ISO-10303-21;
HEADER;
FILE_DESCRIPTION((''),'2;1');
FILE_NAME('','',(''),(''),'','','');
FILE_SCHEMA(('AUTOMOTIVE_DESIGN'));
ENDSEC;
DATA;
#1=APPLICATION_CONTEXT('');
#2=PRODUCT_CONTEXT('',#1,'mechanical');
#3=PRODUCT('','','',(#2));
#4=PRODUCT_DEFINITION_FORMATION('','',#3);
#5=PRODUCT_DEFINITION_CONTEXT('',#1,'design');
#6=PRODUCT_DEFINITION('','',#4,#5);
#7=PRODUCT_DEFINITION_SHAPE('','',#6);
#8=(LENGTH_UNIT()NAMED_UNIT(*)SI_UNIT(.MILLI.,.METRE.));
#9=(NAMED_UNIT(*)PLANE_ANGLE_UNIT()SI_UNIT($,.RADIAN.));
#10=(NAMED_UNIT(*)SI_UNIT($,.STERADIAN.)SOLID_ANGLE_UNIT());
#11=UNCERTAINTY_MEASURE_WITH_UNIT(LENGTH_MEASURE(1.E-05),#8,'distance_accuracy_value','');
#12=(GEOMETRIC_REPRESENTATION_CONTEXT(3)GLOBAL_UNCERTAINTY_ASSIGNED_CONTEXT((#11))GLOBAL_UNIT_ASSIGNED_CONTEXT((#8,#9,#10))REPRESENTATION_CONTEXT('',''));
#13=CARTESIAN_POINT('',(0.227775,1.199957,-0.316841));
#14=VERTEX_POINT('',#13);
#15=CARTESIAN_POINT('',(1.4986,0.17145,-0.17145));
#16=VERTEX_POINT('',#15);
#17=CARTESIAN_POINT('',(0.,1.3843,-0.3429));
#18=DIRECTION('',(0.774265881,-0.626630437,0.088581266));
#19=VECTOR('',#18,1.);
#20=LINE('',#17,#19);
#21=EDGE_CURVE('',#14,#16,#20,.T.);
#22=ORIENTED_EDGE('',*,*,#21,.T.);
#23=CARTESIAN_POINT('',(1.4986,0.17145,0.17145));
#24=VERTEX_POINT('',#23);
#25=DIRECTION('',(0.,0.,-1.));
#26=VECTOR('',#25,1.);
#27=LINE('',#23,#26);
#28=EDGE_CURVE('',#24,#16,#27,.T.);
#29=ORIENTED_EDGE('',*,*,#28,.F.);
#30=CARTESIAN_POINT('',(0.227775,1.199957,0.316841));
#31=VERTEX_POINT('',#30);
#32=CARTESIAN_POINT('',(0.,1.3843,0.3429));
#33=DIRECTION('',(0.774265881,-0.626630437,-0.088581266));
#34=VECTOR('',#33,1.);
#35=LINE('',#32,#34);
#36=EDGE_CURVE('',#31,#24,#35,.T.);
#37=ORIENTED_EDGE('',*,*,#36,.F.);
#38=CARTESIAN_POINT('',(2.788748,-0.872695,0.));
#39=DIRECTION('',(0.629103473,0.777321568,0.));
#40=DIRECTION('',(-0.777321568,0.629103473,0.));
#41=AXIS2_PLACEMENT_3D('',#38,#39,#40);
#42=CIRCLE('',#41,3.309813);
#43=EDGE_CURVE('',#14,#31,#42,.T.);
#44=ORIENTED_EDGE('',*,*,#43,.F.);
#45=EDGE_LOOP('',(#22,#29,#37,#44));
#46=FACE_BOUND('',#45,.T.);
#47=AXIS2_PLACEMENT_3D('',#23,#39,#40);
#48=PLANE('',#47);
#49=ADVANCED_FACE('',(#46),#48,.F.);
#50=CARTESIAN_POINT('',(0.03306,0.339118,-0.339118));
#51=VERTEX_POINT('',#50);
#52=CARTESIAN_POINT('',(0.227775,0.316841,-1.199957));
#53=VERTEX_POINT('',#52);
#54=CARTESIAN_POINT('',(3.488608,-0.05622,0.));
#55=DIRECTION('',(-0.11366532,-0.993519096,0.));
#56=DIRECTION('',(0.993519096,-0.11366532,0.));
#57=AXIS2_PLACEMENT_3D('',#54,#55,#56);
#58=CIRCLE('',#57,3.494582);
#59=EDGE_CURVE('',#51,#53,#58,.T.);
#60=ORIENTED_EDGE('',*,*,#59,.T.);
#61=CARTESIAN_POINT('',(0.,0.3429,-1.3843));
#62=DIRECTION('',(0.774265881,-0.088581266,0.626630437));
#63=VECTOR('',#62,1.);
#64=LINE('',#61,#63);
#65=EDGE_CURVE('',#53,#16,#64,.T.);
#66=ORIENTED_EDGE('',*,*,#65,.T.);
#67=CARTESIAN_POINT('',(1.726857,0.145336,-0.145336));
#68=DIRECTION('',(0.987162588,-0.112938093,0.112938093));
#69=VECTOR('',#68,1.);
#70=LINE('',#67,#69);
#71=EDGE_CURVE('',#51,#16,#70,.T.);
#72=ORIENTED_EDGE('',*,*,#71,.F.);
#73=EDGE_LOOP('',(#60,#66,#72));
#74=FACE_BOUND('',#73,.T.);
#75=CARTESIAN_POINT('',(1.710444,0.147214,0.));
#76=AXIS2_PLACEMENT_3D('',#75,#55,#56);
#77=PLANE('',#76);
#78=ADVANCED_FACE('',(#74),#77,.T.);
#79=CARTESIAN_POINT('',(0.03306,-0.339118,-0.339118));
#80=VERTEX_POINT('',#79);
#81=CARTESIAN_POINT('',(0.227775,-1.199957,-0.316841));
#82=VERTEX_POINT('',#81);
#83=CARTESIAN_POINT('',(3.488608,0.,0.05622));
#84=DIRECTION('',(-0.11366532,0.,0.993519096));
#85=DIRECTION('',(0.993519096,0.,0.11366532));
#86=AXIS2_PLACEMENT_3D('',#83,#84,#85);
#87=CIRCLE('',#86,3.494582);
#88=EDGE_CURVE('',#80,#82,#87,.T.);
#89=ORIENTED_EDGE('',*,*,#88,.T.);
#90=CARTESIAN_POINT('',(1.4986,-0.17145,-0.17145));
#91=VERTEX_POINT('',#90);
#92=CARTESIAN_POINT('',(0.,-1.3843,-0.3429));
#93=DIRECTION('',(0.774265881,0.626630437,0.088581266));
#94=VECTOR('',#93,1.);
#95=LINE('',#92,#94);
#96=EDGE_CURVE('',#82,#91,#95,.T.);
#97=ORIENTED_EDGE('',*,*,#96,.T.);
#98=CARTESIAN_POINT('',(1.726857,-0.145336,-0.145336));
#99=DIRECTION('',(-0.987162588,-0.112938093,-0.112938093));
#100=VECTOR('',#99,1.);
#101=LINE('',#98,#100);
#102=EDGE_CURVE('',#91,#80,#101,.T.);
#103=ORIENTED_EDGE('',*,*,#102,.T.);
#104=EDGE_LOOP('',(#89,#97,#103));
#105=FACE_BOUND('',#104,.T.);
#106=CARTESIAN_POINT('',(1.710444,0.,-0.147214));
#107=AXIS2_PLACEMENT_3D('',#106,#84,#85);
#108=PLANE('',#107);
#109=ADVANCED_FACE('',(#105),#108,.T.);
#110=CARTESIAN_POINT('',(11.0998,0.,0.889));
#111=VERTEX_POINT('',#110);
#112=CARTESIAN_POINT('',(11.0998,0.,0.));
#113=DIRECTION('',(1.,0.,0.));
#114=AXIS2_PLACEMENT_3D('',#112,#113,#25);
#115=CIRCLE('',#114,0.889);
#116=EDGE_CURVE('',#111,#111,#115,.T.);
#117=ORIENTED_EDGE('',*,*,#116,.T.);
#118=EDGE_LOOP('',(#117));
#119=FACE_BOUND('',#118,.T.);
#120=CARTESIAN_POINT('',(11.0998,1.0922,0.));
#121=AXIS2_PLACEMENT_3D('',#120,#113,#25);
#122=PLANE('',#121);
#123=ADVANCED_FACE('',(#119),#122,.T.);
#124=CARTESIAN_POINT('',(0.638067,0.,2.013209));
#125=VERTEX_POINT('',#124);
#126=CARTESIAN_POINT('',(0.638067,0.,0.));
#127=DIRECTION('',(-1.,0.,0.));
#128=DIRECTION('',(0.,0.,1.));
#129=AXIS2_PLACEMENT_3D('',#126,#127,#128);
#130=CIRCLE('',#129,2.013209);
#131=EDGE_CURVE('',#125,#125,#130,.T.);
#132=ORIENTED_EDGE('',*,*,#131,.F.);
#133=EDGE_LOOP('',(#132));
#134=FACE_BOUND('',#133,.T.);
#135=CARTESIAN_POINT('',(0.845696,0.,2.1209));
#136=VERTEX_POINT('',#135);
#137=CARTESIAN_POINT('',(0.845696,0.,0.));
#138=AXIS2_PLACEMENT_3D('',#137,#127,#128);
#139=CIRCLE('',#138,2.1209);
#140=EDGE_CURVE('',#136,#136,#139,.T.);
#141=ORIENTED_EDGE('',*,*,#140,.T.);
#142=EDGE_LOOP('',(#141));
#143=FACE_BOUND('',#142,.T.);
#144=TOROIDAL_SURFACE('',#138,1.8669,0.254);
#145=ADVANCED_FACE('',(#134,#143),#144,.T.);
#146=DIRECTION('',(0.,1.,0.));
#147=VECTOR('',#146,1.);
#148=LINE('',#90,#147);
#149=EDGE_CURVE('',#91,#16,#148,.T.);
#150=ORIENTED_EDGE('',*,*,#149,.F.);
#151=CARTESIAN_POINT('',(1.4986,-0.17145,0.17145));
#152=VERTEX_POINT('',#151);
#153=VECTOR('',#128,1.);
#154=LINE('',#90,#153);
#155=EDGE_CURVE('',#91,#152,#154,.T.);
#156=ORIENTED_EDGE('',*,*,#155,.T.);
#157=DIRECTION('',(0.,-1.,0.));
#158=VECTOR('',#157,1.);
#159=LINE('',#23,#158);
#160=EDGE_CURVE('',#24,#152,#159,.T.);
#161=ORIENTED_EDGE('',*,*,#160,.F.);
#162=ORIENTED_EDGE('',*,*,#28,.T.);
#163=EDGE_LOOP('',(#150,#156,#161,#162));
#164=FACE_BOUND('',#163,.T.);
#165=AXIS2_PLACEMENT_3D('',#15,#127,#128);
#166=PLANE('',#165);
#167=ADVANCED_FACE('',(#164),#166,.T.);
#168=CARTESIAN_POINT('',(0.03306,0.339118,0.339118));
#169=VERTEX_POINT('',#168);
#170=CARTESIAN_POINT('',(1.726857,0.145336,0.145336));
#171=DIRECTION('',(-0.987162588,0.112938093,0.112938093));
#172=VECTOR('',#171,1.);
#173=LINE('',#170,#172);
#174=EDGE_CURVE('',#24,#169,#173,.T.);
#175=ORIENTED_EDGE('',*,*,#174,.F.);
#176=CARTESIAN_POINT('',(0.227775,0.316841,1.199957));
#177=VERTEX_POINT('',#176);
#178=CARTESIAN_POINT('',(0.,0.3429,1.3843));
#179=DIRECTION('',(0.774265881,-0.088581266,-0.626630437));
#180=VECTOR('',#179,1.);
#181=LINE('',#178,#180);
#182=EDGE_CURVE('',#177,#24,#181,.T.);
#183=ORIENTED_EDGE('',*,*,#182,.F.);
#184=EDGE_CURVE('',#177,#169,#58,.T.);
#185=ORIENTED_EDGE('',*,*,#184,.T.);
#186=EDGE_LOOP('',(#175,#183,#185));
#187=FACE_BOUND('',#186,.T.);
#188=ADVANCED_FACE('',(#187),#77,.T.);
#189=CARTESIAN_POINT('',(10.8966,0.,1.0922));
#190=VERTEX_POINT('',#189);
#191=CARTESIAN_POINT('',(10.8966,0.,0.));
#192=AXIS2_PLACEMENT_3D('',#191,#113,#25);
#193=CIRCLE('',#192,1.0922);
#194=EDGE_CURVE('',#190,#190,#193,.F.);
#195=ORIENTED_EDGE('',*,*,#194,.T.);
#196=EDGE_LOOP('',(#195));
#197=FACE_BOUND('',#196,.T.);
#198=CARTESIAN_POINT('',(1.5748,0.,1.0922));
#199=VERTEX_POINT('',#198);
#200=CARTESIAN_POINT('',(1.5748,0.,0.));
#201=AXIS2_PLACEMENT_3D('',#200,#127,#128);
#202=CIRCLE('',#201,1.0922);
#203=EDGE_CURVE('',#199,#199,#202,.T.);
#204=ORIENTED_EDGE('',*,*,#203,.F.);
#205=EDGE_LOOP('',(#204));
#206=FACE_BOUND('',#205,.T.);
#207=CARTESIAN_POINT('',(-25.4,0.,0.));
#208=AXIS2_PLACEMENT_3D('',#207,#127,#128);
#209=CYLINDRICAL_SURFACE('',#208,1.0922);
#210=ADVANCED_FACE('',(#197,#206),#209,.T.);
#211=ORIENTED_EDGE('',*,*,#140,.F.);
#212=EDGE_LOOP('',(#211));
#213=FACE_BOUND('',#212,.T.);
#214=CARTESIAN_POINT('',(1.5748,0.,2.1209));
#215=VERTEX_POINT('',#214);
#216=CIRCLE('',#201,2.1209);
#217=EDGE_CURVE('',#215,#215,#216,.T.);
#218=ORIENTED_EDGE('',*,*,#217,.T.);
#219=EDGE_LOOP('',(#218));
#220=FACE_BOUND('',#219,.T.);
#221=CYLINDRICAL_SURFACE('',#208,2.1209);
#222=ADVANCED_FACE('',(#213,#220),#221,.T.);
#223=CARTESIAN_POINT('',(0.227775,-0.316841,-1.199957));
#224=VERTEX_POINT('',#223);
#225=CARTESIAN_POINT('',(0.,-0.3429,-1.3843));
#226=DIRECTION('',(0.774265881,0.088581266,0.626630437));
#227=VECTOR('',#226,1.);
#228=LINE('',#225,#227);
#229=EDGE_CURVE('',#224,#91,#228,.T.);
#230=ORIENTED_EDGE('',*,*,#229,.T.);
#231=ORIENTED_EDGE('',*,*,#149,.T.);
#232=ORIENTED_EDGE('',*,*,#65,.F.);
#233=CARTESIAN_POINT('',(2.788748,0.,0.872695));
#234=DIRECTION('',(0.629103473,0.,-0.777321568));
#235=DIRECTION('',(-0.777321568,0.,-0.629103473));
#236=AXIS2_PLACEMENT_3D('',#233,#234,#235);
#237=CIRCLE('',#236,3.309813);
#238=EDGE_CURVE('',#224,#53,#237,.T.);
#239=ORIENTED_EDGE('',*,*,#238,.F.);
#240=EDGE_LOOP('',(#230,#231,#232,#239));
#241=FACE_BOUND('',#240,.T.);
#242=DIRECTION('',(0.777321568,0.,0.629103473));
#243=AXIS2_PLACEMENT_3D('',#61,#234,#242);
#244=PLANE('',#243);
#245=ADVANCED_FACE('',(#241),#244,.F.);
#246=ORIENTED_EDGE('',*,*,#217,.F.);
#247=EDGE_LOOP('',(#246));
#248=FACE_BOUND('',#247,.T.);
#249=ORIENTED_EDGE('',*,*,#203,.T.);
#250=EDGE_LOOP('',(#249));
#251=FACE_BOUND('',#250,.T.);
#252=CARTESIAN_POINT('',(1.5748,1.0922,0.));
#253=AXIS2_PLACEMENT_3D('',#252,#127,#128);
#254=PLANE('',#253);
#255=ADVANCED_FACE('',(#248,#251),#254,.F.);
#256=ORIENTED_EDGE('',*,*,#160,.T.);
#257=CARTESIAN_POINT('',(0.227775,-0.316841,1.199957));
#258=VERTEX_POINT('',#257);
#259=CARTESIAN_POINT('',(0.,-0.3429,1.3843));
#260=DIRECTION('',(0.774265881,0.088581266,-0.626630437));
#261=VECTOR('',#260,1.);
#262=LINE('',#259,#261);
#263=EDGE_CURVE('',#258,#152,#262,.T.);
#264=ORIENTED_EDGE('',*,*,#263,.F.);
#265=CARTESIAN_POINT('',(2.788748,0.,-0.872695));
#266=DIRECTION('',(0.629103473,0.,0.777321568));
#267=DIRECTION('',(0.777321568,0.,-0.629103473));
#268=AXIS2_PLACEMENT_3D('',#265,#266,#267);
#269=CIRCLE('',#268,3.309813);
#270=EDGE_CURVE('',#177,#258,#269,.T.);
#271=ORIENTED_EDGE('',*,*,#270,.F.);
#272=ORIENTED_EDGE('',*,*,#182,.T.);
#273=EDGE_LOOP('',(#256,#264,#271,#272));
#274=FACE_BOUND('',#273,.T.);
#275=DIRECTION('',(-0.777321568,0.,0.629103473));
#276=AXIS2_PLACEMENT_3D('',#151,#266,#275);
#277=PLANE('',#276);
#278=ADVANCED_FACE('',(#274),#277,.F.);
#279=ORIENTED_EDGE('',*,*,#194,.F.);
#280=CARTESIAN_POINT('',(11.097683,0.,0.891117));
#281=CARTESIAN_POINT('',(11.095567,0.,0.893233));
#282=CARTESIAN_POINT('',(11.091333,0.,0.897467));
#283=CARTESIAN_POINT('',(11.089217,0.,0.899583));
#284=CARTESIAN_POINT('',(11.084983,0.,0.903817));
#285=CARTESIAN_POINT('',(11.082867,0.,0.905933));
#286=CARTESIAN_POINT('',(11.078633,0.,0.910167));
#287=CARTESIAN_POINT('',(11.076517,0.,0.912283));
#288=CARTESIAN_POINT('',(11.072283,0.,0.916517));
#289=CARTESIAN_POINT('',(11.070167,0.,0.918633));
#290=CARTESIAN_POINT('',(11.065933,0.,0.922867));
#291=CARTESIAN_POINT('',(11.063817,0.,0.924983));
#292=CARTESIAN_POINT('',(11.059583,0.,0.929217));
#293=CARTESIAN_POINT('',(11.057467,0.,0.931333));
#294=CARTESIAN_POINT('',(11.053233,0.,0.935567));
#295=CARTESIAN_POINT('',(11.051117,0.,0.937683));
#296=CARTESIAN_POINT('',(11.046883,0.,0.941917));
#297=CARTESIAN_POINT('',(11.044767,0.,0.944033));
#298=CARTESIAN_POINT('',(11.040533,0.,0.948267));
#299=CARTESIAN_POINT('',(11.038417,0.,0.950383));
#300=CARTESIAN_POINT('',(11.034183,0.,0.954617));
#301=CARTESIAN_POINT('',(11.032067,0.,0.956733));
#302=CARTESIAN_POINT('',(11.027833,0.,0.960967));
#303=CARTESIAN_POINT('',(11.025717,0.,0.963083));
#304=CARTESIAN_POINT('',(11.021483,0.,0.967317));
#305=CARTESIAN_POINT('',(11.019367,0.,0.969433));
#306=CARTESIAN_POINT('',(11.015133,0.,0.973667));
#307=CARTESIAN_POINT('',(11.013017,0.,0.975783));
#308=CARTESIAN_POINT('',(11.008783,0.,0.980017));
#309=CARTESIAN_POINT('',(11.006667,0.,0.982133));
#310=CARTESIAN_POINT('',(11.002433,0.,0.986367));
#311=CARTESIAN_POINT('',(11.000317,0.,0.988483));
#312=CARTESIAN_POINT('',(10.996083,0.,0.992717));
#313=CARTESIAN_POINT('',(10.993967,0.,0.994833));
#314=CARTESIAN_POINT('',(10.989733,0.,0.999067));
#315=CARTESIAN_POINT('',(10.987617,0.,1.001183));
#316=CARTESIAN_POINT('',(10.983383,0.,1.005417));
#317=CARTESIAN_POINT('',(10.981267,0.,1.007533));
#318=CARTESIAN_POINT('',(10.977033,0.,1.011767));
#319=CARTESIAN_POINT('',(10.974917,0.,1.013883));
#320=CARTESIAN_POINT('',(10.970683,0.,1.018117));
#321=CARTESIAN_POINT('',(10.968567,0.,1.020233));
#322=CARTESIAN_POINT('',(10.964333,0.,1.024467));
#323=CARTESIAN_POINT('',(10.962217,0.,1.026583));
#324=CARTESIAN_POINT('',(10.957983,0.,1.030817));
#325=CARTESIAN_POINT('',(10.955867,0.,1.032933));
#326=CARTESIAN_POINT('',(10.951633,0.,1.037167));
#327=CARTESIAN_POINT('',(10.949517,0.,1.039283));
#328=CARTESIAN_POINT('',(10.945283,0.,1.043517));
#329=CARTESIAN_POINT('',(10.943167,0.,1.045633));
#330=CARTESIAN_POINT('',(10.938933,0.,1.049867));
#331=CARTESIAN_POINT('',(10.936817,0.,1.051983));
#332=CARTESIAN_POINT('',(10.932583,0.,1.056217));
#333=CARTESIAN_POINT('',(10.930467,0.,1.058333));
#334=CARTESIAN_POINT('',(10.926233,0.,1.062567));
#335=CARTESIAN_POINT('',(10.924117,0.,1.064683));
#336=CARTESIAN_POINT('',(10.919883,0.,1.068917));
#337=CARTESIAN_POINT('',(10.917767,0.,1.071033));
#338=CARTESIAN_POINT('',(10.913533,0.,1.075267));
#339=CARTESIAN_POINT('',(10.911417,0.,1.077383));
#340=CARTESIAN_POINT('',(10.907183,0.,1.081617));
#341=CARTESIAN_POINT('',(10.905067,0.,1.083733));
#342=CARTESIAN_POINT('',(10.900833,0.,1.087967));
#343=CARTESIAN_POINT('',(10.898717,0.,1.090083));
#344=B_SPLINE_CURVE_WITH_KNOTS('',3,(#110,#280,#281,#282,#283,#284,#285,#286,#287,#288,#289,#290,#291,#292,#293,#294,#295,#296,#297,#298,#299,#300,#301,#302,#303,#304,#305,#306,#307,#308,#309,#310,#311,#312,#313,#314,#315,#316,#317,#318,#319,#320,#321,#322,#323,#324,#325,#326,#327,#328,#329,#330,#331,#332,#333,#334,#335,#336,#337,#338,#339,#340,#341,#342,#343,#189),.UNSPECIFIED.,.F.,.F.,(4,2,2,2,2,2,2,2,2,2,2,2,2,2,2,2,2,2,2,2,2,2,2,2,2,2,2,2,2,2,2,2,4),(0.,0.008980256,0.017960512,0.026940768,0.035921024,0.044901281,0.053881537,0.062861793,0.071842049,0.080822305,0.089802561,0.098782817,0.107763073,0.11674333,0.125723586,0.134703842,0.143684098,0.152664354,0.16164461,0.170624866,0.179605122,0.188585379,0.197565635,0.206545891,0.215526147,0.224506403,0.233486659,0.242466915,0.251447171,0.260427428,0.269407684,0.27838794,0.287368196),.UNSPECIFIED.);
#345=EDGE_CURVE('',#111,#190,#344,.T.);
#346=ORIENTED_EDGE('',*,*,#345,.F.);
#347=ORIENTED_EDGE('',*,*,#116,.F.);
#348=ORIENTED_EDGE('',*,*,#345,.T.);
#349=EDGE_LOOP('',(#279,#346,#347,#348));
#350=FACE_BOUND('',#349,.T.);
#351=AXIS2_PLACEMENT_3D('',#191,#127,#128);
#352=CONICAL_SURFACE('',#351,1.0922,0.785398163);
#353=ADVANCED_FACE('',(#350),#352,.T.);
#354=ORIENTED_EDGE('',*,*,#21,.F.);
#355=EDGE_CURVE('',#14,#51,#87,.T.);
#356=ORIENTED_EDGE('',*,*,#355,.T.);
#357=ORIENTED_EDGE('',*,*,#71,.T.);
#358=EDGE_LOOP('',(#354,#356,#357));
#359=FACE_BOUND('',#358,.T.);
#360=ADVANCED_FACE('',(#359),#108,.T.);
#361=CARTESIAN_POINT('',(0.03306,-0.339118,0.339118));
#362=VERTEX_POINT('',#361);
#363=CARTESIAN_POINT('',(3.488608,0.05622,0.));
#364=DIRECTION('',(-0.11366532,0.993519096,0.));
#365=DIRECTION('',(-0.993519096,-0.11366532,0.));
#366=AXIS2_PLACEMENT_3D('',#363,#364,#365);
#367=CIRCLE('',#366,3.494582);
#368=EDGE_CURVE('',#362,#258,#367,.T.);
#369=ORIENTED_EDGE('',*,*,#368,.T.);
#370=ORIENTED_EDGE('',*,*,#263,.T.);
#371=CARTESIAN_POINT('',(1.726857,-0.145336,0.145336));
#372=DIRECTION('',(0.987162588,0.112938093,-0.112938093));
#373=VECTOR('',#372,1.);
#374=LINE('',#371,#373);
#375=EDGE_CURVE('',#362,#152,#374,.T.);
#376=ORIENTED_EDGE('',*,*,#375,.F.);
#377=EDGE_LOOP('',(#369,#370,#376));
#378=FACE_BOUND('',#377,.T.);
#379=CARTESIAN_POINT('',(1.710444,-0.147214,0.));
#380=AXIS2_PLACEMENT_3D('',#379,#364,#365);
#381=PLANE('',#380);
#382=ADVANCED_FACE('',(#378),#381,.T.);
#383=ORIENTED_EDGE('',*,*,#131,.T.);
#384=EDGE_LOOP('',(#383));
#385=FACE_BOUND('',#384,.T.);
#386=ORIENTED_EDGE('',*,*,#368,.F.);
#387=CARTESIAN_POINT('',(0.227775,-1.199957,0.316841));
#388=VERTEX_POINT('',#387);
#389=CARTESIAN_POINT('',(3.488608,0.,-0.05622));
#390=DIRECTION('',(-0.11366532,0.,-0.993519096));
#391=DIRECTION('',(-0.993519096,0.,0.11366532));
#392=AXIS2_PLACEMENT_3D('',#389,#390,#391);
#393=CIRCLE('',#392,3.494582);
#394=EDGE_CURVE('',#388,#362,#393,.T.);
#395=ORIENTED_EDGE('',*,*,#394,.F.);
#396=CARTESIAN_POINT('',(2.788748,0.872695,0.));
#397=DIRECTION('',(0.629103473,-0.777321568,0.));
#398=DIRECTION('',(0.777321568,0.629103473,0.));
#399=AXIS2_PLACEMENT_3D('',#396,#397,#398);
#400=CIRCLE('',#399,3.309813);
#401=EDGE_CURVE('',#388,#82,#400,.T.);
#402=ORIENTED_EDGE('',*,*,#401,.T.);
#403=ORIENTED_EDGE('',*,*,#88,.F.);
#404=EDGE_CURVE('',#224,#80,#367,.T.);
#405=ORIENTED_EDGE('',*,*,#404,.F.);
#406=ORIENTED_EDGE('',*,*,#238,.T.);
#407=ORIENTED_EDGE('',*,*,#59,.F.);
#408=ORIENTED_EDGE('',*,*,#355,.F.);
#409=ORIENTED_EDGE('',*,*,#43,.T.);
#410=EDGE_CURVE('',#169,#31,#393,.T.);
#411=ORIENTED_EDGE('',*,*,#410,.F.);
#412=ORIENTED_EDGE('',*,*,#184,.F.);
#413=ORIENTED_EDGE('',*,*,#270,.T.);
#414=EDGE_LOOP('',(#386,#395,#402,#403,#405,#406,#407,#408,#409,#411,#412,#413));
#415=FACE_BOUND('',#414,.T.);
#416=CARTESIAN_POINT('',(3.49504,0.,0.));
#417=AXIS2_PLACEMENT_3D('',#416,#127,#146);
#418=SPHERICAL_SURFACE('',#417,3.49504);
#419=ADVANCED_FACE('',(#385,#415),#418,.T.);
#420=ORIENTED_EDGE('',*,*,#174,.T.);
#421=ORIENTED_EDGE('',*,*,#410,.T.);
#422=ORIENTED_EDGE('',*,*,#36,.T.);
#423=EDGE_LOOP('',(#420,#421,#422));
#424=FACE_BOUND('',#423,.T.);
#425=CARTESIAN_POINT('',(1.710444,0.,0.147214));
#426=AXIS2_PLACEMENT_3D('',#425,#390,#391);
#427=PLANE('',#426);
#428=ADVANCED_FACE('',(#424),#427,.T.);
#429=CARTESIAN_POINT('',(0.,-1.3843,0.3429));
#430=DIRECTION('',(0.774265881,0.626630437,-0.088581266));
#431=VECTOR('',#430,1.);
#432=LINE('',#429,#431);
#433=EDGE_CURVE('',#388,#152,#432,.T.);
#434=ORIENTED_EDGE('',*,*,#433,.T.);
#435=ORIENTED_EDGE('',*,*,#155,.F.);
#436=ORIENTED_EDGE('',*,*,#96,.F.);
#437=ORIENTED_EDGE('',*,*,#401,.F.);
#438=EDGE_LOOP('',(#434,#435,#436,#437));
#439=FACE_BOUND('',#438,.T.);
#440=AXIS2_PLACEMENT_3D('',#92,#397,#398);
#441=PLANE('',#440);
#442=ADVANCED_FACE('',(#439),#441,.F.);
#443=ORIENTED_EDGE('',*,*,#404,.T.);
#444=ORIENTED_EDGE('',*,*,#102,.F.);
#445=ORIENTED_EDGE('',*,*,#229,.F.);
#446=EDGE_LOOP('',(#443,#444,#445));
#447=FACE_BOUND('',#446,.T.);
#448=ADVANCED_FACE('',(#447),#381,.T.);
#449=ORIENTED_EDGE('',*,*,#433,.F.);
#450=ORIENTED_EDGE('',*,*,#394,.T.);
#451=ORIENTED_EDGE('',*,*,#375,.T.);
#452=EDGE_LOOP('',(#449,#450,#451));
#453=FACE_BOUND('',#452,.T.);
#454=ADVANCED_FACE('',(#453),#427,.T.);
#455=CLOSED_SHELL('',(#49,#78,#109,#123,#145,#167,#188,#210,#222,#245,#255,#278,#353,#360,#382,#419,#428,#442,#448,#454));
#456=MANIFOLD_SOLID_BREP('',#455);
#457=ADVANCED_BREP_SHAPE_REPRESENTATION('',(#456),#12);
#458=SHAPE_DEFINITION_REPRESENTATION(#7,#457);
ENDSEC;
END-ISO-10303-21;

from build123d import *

# Parameters (mm, degrees)
CIRPATTERN1_COUNT = 2
CIRPATTERN1_ANGLE = 90
CHAMFER1_SIZE     = 0.2032


with BuildPart() as part:
    # BodySke → Base-Revolve (revolve)
    with BuildSketch(Plane.XY, mode=Mode.PRIVATE) as base_revolve_sk:
        with BuildLine():
            Line((1.5748, 1.0922), (1.5748, 2.1209))
            Line((1.5748, 2.1209), (0.845695803, 2.1209))
            ThreePointArc((0.845695803, 2.1209), (0.728748015, 2.09237553), (0.638066948, 2.013208777))
            ThreePointArc((0.638066948, 2.013208777), (0.163333253, 1.05595206), (0, 0))
            Line((0, 0), (11.0998, 0))
            Line((11.0998, 0), (11.0998, 1.0922))
            Line((11.0998, 1.0922), (1.5748, 1.0922))
        make_face()
    revolve(base_revolve_sk.sketch.rotate(Axis((-25.4, 0, 0), (1, 0, 0)), 90), axis=Axis((-25.4, 0, 0), (1, 0, 0)))

    # Sketch3 → Cut-Loft1 section 0
    with BuildSketch(Plane(origin=(0, 0, 0), x_dir=(0, 0, -1), z_dir=(1, 0, 0))):
        with BuildLine():
            Line((0.3429, -1.3843), (-0.3429, -1.3843))
            Line((-0.3429, -1.3843), (-0.3429, 1.3843))
            Line((-0.3429, 1.3843), (0.3429, 1.3843))
            Line((0.3429, 1.3843), (0.3429, -1.3843))
        make_face()
    # Sketch4 → Cut-Loft1 section 1
    with BuildSketch(Plane(origin=(1.4986, 0, 0), x_dir=(0, 0, -1), z_dir=(1, 0, 0))):
        with BuildLine():
            Line((0.17145, -0.17145), (-0.17145, -0.17145))
            Line((-0.17145, -0.17145), (-0.17145, 0.17145))
            Line((-0.17145, 0.17145), (0.17145, 0.17145))
            Line((0.17145, 0.17145), (0.17145, -0.17145))
        make_face()
    cut_loft1 = loft(mode=Mode.SUBTRACT)

    # CirPattern1: Cut-Loft1 ×2 about axis
    cirpattern1_axis = Axis((0, 0, 0), (1, 0, 0))
    for i in range(1, CIRPATTERN1_COUNT):
        add(cut_loft1.rotate(cirpattern1_axis, i * CIRPATTERN1_ANGLE / (CIRPATTERN1_COUNT - 1)), mode=Mode.SUBTRACT)

    # Chamfer1
    chamfer1_edges = [part.edges().sort_by_distance(p)[0] for p in [
        (11.0998, 0, -1.0922),
    ]]
    chamfer(chamfer1_edges, length=CHAMFER1_SIZE)


solid = part.part
